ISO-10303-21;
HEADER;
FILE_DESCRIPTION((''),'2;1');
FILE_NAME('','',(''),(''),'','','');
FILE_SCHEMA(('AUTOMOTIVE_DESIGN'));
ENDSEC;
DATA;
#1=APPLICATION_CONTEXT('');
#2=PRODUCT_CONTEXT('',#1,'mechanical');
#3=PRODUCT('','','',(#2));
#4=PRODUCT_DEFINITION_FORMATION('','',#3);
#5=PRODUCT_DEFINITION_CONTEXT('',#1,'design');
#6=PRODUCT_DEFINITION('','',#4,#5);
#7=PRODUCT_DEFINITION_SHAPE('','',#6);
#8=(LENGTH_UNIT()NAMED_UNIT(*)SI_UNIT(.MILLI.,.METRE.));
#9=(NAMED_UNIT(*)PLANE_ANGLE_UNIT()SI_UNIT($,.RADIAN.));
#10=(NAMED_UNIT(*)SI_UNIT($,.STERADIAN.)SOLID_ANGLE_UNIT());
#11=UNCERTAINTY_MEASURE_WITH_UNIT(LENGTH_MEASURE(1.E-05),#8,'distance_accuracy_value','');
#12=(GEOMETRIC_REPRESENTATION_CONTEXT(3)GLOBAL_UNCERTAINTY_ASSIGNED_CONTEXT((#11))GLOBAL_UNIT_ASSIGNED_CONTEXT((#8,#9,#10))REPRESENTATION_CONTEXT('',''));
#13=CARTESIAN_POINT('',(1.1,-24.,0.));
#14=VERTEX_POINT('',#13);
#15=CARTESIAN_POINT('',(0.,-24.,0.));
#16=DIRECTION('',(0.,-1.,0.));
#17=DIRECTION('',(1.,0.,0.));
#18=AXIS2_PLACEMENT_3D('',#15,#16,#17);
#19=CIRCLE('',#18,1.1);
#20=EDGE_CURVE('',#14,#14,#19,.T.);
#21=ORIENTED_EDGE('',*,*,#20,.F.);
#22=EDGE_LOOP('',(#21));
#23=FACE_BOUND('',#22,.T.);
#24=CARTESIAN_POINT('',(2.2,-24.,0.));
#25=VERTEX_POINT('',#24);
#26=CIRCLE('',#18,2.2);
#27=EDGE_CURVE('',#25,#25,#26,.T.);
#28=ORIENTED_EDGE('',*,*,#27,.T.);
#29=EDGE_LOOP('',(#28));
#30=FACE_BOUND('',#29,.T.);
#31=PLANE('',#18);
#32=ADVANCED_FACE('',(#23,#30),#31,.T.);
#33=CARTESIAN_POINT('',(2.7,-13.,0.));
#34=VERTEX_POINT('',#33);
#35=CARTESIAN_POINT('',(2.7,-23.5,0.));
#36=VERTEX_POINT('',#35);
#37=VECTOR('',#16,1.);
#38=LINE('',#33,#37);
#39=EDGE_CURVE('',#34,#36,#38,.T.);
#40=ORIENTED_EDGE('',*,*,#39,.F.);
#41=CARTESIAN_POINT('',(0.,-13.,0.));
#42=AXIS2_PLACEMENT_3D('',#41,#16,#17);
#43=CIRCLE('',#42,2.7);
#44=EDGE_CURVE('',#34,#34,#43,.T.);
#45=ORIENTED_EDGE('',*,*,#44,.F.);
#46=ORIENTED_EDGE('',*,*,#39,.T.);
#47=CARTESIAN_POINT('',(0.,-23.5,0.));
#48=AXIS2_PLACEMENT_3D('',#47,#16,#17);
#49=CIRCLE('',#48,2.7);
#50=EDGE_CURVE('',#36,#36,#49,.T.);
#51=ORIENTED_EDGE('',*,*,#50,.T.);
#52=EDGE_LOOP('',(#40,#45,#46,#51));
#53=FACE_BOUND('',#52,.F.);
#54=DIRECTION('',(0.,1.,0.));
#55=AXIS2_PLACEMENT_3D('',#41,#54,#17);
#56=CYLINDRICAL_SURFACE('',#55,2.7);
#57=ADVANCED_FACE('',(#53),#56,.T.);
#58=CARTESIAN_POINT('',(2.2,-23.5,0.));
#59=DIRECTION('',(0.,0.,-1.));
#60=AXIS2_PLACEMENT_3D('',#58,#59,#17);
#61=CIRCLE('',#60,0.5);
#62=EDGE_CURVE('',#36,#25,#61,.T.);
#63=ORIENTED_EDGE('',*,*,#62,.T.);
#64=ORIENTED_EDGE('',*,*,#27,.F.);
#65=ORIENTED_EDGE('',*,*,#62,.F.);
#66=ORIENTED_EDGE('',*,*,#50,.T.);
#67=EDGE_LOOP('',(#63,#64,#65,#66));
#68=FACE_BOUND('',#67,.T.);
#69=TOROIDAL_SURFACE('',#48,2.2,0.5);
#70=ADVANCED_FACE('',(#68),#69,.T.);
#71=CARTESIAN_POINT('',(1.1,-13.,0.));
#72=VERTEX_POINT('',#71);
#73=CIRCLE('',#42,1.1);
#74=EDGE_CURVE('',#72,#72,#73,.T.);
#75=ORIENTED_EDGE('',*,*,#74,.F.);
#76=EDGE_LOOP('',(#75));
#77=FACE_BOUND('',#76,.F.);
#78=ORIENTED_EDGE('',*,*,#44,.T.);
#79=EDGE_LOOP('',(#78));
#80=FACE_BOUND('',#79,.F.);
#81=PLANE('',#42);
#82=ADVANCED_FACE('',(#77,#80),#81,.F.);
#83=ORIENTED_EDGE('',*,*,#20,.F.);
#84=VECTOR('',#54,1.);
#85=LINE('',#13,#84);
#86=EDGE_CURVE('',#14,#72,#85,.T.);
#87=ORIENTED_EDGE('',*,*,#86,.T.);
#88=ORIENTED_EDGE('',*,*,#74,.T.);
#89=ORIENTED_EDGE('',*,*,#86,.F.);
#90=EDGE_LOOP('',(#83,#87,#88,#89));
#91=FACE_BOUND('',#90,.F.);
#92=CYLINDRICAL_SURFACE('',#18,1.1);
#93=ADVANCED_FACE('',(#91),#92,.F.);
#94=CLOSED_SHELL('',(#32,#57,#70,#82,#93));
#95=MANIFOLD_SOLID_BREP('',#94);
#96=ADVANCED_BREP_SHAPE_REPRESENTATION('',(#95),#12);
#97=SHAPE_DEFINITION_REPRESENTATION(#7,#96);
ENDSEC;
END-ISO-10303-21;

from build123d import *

# Parameters (mm, degrees)
SKETCH051_R     = 2.7
PAD043_DEPTH    = 11
FILLET001_R     = 0.5
SKETCH050_R     = 1.1
POCKET005_DEPTH = 11


with BuildPart() as part:
    # Sketch051 (on Face1 of CopyFillet) → Pad043 (new body)
    with BuildSketch(Plane.XZ.offset(13)):
        Circle(SKETCH051_R)
    extrude(amount=PAD043_DEPTH)

    # Fillet001
    fillet001_edges = [part.edges().sort_by_distance(p)[0] for p in [
        (-2.7, -24, 0),
    ]]
    fillet(fillet001_edges, radius=FILLET001_R)

    # Sketch050 (on Face4 of Fillet001) → Pocket005 (cut)
    with BuildSketch(Plane.XZ.offset(24)):
        Circle(SKETCH050_R)
    extrude(amount=-POCKET005_DEPTH, mode=Mode.SUBTRACT)


solid = part.part
